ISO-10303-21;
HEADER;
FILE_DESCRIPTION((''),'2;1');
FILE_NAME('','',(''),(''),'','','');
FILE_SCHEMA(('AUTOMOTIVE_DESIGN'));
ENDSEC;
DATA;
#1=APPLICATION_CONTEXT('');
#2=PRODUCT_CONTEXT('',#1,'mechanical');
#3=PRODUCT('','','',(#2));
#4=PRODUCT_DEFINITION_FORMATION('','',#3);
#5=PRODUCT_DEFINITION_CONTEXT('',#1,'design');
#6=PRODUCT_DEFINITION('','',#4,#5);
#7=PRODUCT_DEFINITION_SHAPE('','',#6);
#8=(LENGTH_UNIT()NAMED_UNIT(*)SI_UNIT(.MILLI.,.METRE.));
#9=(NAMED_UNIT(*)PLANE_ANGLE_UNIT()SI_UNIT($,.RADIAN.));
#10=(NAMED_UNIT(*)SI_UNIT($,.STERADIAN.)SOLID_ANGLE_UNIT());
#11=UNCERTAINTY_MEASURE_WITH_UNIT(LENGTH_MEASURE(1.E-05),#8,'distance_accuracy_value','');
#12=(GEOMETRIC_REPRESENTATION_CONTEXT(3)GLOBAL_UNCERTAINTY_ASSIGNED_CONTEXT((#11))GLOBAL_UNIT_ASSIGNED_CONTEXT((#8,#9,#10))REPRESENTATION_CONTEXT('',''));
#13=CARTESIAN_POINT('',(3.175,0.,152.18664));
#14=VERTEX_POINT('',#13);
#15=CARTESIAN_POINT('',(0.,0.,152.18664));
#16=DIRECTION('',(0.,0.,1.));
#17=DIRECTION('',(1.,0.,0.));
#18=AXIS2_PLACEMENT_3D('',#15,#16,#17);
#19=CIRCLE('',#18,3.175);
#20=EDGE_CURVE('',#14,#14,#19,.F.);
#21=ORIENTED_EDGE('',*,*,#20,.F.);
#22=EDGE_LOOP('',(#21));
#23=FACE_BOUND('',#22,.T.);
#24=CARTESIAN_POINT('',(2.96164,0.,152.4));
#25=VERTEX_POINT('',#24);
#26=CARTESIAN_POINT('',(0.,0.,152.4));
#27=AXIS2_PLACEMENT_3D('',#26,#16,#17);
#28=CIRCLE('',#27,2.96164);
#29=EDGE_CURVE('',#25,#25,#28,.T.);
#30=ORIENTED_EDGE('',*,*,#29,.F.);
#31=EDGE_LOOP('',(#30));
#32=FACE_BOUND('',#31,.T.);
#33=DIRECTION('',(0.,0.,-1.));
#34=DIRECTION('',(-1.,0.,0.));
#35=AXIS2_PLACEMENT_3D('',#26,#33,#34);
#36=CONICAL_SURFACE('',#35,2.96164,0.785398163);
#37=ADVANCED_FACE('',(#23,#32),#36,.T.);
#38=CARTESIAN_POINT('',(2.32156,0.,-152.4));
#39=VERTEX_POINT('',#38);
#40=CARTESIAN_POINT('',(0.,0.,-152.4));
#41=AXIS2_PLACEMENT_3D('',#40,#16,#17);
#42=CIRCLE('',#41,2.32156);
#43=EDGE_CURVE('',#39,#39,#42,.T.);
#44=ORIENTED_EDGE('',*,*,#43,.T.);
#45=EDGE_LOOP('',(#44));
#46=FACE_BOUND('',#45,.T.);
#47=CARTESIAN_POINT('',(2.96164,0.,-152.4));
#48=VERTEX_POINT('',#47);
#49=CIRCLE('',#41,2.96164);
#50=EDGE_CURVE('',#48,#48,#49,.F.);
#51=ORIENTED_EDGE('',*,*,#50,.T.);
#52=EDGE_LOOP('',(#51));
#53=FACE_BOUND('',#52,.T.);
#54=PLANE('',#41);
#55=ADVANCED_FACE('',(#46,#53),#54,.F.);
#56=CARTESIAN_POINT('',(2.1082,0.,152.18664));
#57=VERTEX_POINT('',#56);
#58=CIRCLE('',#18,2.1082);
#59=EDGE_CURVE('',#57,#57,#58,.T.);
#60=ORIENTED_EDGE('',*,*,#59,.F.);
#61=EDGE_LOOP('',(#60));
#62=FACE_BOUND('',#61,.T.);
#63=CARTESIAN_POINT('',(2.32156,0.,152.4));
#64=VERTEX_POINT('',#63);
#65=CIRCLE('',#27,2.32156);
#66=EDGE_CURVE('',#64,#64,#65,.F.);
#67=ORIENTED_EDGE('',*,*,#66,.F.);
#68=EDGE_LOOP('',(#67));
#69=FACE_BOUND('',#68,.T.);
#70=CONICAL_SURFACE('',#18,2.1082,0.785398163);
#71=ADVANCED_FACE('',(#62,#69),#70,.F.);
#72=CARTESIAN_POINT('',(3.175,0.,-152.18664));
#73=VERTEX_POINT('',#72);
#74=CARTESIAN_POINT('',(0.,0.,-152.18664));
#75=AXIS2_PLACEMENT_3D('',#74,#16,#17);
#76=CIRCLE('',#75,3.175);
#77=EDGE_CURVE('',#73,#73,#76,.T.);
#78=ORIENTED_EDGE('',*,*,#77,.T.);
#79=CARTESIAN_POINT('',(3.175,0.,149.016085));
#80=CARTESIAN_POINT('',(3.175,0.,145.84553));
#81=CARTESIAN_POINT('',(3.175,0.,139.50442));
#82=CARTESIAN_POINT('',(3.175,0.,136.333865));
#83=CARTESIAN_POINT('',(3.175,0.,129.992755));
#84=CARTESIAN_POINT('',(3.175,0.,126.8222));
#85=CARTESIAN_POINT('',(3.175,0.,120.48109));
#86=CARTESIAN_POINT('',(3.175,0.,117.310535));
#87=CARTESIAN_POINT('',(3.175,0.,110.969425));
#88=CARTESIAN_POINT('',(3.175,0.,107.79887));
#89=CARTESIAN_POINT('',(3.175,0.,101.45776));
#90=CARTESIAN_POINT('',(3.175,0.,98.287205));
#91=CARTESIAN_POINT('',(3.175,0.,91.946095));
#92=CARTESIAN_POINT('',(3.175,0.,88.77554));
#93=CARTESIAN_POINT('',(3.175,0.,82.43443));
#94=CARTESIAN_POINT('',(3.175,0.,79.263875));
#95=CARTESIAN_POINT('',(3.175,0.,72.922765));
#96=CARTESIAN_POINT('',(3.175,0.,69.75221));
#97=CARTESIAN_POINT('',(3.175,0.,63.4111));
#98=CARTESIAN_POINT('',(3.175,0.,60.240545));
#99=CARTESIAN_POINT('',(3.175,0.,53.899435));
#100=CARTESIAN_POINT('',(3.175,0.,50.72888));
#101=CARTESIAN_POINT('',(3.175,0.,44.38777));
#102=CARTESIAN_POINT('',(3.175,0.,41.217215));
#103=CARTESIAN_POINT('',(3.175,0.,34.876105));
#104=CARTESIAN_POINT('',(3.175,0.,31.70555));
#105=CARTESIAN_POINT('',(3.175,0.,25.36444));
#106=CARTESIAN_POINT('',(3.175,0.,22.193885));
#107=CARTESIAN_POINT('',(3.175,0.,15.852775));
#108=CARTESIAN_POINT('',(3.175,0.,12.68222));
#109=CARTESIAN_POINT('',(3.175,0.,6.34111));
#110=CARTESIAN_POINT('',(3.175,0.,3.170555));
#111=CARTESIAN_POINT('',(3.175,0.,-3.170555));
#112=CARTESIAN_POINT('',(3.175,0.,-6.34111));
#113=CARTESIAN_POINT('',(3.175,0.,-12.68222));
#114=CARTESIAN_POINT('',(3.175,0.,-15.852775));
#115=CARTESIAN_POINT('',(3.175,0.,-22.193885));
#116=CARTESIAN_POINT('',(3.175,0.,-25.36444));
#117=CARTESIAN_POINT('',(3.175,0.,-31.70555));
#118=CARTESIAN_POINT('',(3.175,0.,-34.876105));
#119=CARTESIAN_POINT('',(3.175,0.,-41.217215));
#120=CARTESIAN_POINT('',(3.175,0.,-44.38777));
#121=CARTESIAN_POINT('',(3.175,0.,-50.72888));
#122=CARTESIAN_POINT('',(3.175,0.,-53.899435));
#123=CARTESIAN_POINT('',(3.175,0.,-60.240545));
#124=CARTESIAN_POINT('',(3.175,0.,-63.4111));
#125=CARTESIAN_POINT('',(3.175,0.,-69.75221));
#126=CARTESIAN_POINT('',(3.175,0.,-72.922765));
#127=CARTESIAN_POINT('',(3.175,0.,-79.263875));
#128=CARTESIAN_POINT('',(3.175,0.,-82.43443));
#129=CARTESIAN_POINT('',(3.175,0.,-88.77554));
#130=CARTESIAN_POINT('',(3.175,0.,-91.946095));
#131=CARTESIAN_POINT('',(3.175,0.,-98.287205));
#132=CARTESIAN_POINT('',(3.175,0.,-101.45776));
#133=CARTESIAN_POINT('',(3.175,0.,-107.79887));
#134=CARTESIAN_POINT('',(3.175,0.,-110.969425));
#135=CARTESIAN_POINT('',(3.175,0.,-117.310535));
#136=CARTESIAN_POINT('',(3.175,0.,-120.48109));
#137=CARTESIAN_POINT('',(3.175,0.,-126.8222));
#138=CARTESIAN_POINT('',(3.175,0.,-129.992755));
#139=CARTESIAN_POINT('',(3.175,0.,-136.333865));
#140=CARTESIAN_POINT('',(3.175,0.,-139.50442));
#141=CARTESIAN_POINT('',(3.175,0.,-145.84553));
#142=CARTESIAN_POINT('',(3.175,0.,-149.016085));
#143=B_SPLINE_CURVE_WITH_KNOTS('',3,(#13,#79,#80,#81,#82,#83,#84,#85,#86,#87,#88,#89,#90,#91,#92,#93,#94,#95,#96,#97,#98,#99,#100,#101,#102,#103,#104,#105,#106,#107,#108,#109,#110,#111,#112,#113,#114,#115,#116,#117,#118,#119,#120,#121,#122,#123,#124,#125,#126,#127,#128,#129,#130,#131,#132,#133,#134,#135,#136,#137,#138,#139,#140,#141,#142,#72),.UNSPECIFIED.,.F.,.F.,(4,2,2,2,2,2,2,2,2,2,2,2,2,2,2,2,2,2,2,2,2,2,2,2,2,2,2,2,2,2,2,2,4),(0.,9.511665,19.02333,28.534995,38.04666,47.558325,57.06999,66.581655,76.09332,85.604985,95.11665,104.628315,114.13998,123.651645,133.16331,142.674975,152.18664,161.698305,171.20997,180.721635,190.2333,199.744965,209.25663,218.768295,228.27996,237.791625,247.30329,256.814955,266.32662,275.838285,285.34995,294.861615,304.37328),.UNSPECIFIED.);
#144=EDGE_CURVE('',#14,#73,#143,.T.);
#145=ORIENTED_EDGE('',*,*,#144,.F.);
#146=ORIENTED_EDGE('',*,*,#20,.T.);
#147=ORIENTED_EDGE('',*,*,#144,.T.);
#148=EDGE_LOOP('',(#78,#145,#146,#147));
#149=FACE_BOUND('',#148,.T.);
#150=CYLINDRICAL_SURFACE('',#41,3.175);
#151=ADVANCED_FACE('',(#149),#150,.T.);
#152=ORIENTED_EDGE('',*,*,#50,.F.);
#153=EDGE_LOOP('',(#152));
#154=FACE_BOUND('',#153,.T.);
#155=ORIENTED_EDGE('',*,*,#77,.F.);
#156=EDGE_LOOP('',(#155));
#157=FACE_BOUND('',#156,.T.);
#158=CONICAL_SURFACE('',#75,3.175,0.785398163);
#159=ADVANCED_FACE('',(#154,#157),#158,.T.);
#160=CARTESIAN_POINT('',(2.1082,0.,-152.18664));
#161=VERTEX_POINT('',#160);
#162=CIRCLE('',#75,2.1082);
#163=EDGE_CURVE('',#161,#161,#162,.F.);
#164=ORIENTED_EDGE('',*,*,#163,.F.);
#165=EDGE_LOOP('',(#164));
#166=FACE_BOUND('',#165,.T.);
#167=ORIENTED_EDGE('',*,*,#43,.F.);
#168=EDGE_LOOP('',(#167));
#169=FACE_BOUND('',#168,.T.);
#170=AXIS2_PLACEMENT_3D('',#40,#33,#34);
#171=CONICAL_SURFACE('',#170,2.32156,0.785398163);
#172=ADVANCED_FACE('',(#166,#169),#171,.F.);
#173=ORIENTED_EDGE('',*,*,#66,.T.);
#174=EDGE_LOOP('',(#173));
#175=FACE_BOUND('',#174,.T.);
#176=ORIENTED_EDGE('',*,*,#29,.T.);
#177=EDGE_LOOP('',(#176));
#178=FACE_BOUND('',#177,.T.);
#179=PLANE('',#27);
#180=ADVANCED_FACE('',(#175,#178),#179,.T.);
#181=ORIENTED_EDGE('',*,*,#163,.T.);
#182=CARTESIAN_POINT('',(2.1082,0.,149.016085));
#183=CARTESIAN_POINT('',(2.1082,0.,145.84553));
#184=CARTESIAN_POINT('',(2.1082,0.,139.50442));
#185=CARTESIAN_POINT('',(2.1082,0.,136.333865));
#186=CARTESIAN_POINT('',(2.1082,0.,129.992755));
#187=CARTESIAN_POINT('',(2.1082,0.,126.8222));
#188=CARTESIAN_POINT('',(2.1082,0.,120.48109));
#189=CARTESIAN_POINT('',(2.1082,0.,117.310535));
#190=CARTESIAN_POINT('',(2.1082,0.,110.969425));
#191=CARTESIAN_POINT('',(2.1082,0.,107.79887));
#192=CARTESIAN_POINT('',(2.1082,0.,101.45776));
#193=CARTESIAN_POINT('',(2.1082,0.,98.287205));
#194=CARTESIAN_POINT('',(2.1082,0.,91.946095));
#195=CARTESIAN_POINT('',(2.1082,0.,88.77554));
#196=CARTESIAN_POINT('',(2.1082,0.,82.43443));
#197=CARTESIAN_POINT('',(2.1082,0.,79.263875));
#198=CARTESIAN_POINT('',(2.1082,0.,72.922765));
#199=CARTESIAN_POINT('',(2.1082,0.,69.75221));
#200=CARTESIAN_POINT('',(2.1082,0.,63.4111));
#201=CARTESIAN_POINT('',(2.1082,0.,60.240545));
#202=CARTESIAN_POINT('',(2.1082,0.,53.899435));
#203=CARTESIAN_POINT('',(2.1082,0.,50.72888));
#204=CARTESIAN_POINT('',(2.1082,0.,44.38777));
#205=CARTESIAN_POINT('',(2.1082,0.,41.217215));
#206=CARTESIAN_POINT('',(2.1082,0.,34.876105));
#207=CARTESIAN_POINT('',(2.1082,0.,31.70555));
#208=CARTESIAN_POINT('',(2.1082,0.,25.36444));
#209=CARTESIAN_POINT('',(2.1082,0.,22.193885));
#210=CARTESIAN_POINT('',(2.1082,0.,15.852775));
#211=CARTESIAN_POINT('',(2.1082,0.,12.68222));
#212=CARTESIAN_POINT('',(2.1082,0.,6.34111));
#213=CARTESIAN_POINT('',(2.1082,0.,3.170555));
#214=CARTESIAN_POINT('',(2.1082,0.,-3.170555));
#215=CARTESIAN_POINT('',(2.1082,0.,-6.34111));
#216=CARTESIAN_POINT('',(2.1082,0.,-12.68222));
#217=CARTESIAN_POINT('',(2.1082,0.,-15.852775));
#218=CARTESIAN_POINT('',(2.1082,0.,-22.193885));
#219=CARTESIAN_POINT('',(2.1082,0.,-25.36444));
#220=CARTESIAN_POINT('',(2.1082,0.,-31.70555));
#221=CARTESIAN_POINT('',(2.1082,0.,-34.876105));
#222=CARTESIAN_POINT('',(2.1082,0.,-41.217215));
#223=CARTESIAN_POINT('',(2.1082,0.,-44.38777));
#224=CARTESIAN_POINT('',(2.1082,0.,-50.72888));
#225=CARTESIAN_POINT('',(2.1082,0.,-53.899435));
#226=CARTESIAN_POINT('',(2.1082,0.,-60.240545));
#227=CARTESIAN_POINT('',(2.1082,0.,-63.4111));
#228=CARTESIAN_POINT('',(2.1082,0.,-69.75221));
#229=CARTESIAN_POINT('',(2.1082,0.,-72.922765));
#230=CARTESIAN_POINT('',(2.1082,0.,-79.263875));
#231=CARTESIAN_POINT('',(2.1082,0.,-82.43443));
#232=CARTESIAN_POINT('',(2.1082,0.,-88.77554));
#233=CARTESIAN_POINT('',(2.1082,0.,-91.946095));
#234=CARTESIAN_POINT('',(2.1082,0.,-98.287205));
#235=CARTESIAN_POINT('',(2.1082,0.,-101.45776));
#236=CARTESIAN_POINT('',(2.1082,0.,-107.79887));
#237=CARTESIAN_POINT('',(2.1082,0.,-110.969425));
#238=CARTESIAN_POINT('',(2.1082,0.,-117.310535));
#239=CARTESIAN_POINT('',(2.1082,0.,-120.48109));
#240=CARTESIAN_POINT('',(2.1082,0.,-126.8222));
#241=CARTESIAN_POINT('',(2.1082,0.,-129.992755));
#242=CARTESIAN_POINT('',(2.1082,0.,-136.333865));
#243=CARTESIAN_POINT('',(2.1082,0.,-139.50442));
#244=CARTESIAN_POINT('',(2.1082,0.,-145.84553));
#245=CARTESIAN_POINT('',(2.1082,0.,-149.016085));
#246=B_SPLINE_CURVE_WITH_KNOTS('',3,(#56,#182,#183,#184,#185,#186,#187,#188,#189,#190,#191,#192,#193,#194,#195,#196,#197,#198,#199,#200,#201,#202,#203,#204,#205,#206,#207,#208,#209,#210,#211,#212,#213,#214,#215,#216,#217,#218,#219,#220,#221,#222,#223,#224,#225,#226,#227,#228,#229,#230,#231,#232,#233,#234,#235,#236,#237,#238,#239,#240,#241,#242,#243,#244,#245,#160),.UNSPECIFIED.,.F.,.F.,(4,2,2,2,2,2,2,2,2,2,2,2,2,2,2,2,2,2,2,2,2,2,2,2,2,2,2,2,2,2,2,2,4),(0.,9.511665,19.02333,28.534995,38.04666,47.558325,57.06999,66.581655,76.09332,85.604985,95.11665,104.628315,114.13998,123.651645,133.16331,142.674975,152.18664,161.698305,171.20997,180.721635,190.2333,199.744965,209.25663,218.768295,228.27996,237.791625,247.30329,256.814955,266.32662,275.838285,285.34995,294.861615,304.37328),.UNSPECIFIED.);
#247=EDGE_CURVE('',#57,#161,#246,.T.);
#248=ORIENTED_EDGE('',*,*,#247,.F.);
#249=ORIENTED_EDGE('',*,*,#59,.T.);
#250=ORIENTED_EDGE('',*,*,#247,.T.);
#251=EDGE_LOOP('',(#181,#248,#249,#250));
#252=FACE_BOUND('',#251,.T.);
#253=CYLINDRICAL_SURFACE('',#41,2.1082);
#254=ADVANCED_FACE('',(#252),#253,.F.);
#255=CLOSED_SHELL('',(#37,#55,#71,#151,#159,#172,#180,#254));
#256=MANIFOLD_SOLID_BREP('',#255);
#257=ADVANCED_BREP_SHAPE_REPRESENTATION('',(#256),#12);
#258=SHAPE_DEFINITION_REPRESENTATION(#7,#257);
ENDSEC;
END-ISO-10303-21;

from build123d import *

# Parameters (mm, degrees)
BOSS_EXTRUDE1_DEPTH      = 152.4
BOSS_EXTRUDE1_DEPTH_BACK = 152.4
SKETCH3_R                = 3.175
SKETCH3_R_2              = 2.1082
CHAMFER1_SIZE            = 0.21336


with BuildPart() as part:
    # Sketch3 → Boss-Extrude1 (new, two sides: drawn at the far end of the back side and taken through both)
    with BuildSketch(Plane.XY.offset(-BOSS_EXTRUDE1_DEPTH_BACK)):
        Circle(SKETCH3_R)
        Circle(SKETCH3_R_2, mode=Mode.SUBTRACT)
    extrude(amount=BOSS_EXTRUDE1_DEPTH + BOSS_EXTRUDE1_DEPTH_BACK)

    # Chamfer1
    chamfer1_edges = [part.edges().sort_by_distance(p)[0] for p in [
        (-3.175, 0, -152.4),
        (-2.1082, 0, -152.4),
        (-3.175, 0, 152.4),
        (-2.1082, 0, 152.4),
    ]]
    chamfer(chamfer1_edges, length=CHAMFER1_SIZE)


solid = part.part
